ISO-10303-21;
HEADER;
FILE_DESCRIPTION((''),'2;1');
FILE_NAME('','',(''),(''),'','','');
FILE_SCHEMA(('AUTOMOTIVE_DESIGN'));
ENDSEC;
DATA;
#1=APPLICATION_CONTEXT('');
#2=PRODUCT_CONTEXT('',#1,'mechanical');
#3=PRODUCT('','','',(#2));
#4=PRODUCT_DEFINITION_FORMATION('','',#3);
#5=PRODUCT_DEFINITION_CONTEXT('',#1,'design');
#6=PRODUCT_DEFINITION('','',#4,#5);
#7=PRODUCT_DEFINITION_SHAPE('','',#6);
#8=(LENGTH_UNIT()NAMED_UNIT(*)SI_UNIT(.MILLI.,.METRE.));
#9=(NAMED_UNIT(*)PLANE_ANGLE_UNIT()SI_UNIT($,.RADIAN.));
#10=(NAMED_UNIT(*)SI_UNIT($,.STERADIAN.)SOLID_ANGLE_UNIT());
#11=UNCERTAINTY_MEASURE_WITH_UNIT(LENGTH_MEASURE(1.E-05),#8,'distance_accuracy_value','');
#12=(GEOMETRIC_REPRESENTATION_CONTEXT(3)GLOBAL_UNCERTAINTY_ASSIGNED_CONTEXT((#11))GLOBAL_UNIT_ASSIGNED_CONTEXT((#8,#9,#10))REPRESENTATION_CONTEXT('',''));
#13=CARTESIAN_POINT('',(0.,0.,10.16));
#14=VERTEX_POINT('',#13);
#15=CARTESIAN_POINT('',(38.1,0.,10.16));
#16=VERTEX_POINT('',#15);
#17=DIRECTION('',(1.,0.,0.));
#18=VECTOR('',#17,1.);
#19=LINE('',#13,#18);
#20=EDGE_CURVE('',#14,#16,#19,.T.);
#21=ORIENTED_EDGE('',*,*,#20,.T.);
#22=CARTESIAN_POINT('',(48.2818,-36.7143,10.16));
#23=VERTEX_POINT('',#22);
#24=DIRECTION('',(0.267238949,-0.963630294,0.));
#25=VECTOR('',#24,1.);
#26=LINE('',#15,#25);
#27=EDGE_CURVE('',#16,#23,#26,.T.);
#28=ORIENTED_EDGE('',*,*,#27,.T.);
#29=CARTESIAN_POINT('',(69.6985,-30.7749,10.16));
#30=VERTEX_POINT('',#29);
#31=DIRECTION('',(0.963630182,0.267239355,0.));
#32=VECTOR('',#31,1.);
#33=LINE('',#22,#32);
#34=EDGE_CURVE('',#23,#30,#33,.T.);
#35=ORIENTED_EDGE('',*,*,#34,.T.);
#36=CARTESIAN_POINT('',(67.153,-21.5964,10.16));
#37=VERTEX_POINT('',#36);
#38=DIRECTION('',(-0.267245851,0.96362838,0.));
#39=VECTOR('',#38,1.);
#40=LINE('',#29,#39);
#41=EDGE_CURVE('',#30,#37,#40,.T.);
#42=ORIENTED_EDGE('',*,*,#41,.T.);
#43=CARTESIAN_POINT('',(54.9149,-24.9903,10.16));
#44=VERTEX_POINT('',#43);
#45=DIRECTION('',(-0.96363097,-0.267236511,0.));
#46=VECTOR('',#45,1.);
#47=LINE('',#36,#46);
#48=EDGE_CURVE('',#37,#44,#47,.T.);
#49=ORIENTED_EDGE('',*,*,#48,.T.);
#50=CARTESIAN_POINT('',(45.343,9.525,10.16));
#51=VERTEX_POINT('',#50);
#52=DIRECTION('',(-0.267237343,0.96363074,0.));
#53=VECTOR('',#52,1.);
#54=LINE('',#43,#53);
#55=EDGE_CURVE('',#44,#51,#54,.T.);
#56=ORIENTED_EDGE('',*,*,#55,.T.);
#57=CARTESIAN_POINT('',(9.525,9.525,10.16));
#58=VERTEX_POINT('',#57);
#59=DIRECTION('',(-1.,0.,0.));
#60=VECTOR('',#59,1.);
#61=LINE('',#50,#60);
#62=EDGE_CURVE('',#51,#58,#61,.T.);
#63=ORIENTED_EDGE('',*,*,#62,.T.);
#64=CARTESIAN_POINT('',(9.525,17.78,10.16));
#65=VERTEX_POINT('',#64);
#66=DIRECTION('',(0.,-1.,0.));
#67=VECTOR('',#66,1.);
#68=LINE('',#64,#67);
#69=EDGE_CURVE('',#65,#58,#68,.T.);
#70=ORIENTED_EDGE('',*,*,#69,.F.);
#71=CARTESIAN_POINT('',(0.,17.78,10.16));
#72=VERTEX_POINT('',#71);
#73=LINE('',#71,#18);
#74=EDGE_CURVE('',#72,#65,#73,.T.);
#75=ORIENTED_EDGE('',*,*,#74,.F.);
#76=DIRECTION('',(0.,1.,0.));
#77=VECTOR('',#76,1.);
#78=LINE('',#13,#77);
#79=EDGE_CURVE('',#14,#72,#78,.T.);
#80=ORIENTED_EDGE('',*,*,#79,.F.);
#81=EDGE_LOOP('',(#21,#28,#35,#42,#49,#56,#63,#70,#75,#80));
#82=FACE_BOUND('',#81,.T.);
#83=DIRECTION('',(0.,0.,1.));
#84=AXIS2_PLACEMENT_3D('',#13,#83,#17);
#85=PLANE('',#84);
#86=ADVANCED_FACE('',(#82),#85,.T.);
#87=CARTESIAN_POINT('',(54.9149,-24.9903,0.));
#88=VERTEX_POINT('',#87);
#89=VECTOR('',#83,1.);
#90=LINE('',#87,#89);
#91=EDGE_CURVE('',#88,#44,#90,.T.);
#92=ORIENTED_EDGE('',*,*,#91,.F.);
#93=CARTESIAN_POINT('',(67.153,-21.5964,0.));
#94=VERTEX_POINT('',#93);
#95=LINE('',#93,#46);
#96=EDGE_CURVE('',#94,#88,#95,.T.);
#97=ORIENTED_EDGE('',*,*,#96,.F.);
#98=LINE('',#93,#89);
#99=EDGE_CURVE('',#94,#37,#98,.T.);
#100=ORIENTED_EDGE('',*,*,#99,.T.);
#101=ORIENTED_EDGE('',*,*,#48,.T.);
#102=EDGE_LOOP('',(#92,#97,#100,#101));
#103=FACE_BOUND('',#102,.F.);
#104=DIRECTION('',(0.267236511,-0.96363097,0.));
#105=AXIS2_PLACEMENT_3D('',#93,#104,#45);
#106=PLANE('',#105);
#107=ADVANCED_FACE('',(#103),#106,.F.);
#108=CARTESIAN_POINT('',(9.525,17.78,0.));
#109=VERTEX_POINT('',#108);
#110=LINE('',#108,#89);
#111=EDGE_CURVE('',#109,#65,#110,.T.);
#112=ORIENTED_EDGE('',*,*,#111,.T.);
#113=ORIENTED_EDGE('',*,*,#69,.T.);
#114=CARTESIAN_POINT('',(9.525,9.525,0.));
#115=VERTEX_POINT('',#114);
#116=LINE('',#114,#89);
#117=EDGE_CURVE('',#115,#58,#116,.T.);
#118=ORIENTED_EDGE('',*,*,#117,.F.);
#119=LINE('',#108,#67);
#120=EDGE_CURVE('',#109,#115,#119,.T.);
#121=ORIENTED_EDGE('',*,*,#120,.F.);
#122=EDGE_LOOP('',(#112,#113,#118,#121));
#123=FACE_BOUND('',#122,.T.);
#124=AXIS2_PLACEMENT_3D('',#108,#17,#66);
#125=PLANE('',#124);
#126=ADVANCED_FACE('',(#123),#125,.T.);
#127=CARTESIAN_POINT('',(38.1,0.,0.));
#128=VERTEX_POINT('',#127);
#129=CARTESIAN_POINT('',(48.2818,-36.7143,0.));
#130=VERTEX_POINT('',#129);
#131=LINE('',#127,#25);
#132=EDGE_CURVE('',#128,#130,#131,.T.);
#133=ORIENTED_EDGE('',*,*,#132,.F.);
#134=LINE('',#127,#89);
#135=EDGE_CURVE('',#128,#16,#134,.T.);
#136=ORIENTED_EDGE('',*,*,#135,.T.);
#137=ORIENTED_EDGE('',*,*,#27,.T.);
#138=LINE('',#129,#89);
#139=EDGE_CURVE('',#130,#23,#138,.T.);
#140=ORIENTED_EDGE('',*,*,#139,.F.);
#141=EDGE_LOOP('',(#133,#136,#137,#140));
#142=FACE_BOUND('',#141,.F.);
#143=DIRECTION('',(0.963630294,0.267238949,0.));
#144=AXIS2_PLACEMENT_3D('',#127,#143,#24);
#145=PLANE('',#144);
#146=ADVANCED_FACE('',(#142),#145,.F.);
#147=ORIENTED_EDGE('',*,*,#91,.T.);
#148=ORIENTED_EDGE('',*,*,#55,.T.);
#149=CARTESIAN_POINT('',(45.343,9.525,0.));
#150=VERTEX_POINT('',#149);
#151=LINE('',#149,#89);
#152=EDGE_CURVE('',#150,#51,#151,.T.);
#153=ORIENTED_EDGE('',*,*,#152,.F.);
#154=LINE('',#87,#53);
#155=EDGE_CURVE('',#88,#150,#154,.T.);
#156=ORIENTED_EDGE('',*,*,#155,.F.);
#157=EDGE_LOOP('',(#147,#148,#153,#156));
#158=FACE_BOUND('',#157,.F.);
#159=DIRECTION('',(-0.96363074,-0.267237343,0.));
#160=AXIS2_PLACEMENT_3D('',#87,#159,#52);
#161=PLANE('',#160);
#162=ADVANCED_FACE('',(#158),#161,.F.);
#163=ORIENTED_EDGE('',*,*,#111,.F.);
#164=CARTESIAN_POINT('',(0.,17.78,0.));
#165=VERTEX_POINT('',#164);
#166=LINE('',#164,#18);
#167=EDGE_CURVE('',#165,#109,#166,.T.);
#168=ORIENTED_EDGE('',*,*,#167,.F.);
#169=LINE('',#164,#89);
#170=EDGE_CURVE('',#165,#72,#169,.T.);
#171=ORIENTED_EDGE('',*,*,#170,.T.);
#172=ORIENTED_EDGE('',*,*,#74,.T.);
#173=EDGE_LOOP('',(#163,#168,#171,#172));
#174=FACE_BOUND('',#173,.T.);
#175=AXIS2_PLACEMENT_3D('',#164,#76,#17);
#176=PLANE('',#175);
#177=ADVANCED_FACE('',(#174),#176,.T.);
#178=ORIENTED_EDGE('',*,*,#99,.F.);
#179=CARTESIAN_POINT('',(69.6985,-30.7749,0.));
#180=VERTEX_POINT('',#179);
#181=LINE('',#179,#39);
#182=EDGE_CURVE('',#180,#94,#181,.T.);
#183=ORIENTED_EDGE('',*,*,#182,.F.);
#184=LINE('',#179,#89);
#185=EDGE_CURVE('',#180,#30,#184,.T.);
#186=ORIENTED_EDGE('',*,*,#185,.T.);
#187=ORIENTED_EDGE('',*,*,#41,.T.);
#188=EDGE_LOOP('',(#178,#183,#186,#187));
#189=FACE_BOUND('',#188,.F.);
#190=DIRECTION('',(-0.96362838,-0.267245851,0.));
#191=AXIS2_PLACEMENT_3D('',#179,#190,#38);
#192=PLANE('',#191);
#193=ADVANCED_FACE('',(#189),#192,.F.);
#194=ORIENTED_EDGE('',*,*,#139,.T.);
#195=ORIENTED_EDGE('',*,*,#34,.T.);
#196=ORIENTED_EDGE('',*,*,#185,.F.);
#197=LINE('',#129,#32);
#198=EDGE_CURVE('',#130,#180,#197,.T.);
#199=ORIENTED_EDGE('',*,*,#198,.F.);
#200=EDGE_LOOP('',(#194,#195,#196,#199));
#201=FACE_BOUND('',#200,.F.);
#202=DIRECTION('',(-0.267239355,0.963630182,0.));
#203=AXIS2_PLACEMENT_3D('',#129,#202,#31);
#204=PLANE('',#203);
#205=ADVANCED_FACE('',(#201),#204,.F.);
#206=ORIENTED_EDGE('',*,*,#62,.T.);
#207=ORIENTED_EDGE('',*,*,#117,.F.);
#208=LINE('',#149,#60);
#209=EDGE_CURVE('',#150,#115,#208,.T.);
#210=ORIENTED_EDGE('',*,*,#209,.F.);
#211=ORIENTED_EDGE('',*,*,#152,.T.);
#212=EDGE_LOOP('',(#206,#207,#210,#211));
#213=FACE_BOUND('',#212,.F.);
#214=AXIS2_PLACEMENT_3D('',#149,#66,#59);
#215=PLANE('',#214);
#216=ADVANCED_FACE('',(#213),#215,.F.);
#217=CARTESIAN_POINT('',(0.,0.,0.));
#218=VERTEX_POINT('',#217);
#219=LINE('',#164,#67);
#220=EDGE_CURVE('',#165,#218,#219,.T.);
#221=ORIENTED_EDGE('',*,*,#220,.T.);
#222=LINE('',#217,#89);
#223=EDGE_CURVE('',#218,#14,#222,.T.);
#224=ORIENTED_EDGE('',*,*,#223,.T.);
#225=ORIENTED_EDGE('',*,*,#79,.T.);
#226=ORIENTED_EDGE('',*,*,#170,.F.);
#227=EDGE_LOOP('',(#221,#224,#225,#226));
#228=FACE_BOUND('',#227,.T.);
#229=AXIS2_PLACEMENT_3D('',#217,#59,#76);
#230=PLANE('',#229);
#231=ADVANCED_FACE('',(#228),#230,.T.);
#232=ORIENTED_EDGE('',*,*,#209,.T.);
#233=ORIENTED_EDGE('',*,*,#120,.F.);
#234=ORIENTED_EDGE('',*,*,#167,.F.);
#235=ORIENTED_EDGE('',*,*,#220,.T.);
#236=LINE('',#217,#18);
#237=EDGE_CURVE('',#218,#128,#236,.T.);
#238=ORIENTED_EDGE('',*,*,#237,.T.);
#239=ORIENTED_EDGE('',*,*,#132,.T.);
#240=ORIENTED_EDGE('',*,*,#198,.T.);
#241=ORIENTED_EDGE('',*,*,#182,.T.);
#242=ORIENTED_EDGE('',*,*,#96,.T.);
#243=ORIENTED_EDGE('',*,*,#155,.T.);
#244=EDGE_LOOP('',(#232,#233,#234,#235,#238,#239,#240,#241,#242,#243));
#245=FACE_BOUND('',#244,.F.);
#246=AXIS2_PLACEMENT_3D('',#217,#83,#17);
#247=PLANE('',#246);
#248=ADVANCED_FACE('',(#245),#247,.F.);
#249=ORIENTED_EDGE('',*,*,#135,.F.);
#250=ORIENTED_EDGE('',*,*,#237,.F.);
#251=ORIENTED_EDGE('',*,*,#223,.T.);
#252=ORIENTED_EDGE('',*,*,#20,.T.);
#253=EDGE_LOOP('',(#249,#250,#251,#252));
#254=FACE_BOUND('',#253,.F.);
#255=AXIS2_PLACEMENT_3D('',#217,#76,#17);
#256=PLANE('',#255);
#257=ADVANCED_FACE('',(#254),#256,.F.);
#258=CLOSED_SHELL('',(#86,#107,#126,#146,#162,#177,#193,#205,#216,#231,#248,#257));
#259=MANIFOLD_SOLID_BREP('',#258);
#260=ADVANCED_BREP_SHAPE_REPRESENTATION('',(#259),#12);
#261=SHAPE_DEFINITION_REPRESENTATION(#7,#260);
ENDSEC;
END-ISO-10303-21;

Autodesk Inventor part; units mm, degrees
ref_plane "YZ Plane" through (0, 0, 0) normal (1, 0, 0) x (0, 1, 0)
ref_plane "XZ Plane" through (0, 0, 0) normal (0, 1, 0) x (-1, 0, 0)
ref_plane "XY Plane" through (0, 0, 0) normal (0, 0, 1) x (1, 0, 0)
sketch "Sketch1" plane through (0, 0, 0) normal (0, 0, 1) x (1, 0, 0)
  line L0 (0, 0) -> (38.1, 0)
  line L1 (38.1, 0) -> (48.2818, -36.7143)
  line L2 (38.1, 0) -> (76.2, 0) construction
  line L3 (45.343, 9.525) -> (9.525, 9.525)
  line L4 (0, 0) -> (0, 17.78)
  line L5 (0, 17.78) -> (9.525, 17.78)
  line L6 (9.525, 17.78) -> (9.525, 9.525)
  line L7 (0, 9.525) -> (9.525, 9.525)
  line L8 (45.343, 9.525) -> (38.1, 0)
  line L9 (48.2818, -36.7143) -> (69.6985, -30.7749)
  line L10 (69.6985, -30.7749) -> (67.153, -21.5964)
  line L11 (67.153, -21.5964) -> (54.9149, -24.9903)
  line L12 (54.9149, -24.9903) -> (45.343, 9.525)
  dimension "d0" = 38.1
  dimension "d1" = 38.1
  dimension "d2" = 74.5
  dimension "d9" = 17.78
  dimension "d10" = 9.525
  dimension "d11" = 9.525
  dimension "d12" = 22.225
  dimension "d13" = 9.525
  dimension "d14" = 12.7
extrude "Extrusion1" add sketch "Sketch1" along normal blind 10.16
properties part number "AttachmentPlateHopper_v3"
